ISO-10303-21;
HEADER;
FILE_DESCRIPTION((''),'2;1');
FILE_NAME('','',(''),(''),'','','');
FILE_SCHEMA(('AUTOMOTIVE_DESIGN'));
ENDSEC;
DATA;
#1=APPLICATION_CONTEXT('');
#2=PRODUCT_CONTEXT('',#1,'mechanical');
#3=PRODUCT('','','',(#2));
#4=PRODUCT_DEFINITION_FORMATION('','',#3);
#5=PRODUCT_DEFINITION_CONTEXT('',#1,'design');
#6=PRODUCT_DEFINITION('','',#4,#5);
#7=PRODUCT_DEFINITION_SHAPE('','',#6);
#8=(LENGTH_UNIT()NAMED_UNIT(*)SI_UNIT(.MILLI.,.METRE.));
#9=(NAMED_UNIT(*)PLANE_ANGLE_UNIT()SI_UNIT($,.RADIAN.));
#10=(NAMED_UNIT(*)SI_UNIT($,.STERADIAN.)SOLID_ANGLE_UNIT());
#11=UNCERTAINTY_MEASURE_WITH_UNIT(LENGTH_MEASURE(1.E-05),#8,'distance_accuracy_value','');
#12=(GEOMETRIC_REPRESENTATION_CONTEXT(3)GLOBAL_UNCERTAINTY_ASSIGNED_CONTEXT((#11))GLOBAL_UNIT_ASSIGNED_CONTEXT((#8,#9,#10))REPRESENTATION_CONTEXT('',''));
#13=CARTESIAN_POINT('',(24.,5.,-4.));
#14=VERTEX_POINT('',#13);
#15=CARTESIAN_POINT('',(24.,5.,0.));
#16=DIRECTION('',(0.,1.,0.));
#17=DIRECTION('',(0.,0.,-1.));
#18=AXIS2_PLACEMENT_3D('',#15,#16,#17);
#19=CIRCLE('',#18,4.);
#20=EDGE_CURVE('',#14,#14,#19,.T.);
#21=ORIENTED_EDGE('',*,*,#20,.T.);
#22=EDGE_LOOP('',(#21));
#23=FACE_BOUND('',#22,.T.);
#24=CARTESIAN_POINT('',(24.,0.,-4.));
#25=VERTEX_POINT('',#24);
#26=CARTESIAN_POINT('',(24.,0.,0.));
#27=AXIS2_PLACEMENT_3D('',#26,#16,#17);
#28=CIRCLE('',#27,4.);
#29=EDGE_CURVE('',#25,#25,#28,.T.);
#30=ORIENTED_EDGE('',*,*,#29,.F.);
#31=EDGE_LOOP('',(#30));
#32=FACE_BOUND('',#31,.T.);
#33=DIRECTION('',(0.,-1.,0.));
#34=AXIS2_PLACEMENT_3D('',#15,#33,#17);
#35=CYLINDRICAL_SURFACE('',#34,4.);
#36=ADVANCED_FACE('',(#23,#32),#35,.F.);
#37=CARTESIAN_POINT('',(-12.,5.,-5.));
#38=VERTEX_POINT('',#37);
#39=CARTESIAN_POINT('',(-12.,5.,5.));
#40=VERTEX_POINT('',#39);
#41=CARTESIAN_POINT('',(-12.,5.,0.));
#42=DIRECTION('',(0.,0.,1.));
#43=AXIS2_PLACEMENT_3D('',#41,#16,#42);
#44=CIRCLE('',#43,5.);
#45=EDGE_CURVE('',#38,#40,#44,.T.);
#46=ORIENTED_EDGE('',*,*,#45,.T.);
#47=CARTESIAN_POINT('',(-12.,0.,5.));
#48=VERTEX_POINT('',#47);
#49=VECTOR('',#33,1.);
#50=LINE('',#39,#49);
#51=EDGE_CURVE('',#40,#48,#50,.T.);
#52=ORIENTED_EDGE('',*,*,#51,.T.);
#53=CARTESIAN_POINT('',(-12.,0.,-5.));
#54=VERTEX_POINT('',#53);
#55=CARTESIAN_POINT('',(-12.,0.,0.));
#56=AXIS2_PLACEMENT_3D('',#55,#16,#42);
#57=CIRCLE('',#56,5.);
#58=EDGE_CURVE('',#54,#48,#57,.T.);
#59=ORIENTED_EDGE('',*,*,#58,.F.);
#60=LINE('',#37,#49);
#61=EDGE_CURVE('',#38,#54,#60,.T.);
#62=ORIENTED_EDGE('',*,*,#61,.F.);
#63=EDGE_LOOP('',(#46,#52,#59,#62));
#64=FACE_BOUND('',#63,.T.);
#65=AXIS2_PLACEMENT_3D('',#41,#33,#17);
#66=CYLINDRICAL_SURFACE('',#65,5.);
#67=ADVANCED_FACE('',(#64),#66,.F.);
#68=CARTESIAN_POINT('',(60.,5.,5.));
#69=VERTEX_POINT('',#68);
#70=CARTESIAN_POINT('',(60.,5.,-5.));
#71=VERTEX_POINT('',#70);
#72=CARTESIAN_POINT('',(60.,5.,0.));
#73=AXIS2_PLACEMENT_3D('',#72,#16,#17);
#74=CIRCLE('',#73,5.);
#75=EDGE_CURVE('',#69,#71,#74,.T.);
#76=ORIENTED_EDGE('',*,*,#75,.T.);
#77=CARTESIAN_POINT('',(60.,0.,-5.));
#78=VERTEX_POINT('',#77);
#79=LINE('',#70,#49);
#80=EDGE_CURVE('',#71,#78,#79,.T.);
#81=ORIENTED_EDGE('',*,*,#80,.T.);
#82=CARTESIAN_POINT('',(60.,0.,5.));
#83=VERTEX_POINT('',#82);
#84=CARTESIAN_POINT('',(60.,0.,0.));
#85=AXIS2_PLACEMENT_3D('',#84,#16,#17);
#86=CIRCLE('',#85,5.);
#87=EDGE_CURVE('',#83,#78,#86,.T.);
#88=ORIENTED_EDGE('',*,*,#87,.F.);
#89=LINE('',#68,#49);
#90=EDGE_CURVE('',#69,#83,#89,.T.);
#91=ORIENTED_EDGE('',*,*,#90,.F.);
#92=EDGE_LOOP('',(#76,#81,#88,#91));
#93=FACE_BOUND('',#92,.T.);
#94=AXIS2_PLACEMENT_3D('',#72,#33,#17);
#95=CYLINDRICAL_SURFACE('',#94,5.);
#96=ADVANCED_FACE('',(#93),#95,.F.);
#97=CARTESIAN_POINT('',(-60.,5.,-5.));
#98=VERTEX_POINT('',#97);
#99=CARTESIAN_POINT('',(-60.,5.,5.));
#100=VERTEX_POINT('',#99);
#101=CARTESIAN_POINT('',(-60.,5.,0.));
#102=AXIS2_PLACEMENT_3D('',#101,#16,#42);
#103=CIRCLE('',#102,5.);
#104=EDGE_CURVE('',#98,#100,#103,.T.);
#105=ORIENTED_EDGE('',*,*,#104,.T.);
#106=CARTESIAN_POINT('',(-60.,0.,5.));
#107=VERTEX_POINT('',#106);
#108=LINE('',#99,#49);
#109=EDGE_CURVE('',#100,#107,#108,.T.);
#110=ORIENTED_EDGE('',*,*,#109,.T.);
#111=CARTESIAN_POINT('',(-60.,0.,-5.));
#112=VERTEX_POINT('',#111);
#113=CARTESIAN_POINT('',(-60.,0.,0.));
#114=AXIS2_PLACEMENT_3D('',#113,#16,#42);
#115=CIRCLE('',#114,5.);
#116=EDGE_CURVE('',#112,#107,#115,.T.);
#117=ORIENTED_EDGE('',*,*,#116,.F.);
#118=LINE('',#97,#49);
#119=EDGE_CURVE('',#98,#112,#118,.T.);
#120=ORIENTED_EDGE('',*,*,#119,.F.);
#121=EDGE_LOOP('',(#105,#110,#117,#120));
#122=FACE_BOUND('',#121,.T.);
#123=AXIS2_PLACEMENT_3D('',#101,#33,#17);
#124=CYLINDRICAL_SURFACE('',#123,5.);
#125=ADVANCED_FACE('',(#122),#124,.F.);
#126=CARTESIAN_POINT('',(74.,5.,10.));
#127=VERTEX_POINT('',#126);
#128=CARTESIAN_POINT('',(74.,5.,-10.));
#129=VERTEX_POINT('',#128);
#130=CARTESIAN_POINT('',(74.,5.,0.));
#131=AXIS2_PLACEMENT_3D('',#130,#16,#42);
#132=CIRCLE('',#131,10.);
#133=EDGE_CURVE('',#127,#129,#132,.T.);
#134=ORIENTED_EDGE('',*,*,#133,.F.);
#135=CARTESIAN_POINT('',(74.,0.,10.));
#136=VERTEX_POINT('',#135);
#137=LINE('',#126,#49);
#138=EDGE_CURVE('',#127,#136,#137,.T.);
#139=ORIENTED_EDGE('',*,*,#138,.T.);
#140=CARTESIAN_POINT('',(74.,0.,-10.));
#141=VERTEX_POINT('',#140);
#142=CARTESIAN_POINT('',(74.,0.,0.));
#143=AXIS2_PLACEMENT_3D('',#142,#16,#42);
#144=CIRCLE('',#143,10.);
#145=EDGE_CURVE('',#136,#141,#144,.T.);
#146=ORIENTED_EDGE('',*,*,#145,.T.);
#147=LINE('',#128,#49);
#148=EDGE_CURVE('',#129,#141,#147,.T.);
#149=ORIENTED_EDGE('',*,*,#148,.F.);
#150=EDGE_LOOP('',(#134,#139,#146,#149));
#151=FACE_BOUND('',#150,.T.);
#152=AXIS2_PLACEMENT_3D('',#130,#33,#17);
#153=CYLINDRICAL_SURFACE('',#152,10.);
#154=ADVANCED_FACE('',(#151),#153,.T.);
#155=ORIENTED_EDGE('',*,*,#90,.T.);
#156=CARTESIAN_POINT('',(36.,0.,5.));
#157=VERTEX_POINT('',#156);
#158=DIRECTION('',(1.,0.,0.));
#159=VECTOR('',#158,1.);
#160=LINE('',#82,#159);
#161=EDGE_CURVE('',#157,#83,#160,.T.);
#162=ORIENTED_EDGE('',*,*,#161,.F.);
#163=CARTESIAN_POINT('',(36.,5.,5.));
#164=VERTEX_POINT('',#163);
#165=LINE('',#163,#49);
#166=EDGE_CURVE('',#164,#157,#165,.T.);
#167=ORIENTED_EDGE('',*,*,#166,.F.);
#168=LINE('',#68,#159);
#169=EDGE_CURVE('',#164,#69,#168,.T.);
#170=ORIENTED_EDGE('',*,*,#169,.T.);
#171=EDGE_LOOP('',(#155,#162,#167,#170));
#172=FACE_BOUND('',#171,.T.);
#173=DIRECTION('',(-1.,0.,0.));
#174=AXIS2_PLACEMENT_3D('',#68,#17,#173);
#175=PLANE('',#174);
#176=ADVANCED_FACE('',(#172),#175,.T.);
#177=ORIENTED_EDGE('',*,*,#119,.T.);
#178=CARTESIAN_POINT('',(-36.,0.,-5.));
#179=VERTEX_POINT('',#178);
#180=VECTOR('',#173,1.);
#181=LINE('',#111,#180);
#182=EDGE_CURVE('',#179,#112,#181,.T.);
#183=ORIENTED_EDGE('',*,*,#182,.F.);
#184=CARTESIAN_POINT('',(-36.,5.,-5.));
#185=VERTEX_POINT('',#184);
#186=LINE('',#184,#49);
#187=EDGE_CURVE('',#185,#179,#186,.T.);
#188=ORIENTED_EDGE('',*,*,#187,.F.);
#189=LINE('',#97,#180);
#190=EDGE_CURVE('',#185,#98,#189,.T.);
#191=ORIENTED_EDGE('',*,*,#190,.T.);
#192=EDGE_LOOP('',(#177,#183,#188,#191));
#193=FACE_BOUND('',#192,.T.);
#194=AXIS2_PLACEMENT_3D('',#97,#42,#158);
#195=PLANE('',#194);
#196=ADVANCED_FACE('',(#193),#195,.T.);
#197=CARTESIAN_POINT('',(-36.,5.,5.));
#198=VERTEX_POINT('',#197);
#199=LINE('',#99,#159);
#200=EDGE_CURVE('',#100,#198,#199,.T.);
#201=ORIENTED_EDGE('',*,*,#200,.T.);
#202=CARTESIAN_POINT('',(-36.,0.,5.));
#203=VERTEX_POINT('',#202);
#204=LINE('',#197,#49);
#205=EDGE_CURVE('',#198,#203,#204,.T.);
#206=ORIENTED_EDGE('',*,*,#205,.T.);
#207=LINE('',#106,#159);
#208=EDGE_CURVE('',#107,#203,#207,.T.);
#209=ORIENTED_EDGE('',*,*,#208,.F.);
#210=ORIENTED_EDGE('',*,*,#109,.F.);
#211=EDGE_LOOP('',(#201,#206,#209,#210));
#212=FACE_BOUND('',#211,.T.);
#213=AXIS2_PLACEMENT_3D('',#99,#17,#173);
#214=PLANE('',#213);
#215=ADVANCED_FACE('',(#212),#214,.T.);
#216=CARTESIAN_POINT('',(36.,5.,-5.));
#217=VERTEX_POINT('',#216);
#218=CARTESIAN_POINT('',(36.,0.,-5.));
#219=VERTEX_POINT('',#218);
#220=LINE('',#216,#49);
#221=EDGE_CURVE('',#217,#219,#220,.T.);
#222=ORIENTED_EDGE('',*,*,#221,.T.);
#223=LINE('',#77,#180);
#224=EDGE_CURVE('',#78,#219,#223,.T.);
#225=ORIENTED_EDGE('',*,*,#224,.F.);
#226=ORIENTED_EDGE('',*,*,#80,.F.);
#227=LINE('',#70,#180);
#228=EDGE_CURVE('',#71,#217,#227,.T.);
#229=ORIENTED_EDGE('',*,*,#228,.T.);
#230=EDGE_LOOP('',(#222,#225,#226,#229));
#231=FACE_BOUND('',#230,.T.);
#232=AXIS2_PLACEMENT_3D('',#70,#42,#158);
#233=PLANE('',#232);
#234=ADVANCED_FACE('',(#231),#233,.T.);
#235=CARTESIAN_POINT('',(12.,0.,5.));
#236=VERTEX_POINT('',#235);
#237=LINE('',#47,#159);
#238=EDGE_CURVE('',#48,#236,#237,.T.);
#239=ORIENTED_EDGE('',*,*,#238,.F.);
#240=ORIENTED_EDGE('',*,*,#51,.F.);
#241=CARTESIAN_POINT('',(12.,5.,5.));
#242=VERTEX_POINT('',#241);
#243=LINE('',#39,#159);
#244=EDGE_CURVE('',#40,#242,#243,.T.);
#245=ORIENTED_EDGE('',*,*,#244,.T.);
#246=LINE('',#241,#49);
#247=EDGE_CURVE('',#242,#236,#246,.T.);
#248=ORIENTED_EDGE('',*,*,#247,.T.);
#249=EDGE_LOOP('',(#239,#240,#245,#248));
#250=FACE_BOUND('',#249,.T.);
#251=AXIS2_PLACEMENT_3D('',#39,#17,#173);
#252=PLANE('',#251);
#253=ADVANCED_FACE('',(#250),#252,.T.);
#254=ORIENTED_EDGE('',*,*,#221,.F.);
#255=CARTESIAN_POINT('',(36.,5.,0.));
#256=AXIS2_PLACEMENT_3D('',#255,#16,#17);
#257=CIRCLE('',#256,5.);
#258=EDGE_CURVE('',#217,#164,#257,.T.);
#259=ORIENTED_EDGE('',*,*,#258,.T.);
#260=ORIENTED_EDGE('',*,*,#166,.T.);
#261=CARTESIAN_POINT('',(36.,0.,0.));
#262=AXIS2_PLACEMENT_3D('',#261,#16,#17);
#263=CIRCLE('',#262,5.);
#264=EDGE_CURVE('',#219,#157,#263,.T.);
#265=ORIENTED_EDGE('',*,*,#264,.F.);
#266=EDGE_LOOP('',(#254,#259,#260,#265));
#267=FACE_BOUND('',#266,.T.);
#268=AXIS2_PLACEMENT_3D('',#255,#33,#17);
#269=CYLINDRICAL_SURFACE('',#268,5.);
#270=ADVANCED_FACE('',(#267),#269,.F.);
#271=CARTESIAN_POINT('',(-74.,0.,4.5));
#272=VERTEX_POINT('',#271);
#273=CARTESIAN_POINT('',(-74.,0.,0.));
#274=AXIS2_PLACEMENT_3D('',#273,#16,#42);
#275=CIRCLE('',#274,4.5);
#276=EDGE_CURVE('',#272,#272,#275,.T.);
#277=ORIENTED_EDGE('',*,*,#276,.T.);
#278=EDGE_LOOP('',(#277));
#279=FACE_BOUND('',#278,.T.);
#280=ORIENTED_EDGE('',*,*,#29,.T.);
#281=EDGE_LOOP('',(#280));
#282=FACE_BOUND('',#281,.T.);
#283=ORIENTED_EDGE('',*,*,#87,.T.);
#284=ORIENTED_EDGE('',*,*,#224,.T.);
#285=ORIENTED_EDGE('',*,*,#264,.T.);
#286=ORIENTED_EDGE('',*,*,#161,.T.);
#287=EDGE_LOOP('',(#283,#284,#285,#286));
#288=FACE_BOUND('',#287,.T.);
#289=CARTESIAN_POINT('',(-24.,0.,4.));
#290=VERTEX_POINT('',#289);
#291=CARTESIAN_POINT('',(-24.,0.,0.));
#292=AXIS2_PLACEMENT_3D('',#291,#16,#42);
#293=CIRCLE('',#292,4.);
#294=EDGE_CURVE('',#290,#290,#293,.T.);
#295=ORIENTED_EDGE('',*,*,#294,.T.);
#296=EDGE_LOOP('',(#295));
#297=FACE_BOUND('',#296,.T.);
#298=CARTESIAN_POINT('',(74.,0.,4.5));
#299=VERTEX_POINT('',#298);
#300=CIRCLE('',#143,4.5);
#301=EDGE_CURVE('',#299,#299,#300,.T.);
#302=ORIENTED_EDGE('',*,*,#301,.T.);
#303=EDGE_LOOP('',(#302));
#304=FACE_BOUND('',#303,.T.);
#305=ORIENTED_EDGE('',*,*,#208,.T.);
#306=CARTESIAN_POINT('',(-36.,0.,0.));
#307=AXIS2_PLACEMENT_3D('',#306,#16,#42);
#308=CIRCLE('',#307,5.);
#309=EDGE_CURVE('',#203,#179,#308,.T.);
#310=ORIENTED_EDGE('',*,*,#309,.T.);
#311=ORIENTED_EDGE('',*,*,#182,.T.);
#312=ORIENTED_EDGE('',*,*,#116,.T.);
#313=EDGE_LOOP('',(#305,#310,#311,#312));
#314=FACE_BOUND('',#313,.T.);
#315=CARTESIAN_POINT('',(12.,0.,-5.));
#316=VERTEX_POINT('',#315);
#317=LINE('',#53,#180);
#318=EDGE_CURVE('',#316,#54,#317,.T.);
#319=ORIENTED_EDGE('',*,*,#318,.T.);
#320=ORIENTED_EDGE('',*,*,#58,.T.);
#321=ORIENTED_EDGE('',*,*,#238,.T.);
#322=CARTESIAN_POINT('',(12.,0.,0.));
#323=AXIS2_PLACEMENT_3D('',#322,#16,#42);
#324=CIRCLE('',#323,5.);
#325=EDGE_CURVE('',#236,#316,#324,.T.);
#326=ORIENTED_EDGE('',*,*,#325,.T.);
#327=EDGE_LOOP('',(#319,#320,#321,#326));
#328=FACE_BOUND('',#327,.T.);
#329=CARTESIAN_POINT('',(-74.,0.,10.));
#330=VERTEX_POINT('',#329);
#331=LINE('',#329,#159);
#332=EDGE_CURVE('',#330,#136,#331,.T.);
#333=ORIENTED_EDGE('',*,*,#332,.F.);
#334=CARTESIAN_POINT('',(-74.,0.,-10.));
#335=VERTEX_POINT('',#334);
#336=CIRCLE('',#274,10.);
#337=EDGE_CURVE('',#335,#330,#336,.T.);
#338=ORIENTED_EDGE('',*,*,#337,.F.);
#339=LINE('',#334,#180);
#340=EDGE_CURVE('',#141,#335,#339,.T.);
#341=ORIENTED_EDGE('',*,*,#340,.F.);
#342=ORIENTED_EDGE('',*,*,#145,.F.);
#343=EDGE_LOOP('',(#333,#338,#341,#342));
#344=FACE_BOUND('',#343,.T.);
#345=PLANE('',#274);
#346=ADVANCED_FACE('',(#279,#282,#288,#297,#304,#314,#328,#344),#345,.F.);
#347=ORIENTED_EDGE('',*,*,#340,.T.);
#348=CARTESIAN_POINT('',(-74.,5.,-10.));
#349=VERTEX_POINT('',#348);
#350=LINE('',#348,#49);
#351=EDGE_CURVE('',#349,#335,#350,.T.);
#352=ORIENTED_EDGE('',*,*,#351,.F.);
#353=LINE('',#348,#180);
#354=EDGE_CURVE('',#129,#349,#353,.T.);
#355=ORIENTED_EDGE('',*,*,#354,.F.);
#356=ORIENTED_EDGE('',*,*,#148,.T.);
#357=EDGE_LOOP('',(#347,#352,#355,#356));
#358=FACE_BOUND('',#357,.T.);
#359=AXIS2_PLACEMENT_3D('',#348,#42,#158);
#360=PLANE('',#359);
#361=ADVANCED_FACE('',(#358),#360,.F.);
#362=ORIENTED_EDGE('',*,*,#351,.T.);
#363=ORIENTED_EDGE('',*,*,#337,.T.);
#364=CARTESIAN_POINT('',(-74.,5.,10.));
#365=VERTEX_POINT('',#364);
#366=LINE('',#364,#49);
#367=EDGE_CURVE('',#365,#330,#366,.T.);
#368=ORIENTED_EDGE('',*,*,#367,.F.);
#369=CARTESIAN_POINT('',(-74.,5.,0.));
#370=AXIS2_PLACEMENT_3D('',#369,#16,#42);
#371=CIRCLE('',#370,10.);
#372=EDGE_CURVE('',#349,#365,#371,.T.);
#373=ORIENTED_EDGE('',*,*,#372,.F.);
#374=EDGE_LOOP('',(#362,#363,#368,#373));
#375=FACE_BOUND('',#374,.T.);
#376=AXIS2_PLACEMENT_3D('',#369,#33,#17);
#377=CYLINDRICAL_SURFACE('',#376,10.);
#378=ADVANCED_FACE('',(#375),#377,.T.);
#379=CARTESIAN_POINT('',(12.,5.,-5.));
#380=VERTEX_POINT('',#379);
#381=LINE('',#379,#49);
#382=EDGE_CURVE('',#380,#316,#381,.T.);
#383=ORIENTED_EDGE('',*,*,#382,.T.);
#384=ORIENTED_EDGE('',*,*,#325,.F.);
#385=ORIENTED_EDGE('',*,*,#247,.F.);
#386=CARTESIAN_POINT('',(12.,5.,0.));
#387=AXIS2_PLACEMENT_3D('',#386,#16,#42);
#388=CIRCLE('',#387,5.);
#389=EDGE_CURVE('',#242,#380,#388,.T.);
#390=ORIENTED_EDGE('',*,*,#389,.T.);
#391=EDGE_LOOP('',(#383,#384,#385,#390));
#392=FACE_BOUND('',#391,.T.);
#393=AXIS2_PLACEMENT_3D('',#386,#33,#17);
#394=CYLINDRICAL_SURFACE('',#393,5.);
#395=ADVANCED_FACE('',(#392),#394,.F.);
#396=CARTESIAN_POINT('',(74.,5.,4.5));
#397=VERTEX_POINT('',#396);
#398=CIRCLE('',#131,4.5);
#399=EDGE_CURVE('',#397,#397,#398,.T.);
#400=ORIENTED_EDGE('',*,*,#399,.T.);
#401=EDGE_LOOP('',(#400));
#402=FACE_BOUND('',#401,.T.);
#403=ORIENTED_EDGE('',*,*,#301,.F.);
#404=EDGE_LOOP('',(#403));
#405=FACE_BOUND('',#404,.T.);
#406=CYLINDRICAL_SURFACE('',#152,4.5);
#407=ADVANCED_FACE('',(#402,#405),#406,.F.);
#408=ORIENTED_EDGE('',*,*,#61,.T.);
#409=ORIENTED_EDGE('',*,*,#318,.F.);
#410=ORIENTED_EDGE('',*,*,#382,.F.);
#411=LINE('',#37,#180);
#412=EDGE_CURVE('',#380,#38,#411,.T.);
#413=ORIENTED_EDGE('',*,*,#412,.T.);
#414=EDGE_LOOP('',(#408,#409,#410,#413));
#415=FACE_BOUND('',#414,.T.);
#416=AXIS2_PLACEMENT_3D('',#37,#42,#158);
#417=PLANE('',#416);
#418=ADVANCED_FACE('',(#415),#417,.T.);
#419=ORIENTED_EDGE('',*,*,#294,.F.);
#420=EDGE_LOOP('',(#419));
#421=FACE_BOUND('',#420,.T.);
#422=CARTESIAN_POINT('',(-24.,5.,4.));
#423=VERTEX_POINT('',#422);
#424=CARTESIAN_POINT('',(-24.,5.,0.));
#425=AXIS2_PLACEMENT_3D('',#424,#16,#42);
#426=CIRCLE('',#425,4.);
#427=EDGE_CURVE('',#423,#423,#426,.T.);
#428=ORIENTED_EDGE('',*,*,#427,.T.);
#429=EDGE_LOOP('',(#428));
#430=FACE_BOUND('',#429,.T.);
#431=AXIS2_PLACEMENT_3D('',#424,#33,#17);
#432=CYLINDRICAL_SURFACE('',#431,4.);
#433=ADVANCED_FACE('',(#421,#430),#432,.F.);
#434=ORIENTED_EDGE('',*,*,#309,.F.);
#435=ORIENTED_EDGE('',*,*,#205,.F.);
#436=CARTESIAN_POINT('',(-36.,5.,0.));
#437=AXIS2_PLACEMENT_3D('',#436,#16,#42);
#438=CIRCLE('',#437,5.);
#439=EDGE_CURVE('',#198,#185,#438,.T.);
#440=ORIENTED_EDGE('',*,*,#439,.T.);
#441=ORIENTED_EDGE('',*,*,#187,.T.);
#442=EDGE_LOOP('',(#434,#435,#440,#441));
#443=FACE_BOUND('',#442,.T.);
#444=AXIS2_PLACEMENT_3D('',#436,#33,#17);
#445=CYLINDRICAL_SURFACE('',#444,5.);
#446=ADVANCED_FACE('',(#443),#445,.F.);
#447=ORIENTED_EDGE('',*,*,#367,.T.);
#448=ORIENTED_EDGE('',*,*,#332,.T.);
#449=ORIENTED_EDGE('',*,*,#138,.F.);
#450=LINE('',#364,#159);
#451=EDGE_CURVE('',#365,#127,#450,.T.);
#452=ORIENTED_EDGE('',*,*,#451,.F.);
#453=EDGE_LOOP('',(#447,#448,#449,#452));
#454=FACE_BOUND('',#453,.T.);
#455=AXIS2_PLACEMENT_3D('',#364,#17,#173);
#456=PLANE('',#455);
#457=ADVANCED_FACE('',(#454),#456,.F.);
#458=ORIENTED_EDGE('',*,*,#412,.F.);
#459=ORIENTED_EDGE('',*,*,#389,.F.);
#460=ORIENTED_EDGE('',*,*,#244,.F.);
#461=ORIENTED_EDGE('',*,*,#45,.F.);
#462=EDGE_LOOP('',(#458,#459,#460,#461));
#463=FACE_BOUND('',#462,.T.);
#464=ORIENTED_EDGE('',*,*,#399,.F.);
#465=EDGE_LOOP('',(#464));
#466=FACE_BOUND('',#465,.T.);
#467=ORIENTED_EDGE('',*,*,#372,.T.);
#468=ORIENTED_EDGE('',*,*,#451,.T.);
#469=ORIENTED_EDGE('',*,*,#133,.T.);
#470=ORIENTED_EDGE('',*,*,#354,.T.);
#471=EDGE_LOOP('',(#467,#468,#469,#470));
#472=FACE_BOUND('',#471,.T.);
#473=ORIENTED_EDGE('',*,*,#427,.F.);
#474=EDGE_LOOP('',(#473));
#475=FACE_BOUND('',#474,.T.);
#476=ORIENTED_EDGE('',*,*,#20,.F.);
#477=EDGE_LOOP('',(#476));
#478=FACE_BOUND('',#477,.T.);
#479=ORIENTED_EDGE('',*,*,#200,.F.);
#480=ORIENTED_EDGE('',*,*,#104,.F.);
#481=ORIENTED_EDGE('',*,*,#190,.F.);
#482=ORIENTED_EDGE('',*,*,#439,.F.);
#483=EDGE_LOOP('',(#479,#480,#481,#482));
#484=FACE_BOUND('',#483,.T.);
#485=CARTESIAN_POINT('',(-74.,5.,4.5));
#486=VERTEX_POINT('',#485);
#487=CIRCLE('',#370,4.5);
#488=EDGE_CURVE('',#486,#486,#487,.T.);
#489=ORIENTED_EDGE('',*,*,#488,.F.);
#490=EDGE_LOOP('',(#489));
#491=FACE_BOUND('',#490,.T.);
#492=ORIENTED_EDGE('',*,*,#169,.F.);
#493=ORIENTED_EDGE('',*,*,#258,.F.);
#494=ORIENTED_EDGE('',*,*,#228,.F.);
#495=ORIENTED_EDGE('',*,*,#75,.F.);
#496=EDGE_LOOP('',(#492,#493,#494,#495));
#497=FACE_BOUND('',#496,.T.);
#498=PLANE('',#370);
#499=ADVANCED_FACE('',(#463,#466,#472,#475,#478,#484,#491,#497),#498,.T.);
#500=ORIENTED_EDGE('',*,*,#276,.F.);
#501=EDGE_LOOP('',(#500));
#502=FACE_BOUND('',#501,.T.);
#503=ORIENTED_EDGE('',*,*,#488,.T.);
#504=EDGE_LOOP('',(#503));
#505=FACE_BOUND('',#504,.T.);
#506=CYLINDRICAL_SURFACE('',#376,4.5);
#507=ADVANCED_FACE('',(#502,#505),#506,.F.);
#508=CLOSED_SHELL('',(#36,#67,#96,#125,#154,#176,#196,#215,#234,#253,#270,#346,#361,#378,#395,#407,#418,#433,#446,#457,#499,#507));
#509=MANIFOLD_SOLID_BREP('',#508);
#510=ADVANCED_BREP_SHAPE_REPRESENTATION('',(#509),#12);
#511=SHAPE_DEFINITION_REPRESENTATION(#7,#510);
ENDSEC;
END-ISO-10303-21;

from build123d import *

# Parameters (mm, degrees)
SKETCH_1_R      = 4.5
SKETCH_1_R_2    = 4
EXTRUDE_1_DEPTH = 5


with BuildPart() as part:
    # 草图1 → 凸台-拉伸1 (new body)
    with BuildSketch(Plane(origin=(0, 0, 0), x_dir=(1, 0, 0), z_dir=(0, 1, 0))):
        with BuildLine():
            Line((-74, 10), (74, 10))
            ThreePointArc((74, 10), (84, 0), (74, -10))
            Line((74, -10), (-74, -10))
            ThreePointArc((-74, -10), (-84, 0), (-74, 10))
        make_face()
        with Locations(Location((74, 0, 0), (0, 0, 270))):
            Circle(SKETCH_1_R, mode=Mode.SUBTRACT)
        with Locations(Location((-74, 0, 0), (0, 0, 270))):
            Circle(SKETCH_1_R, mode=Mode.SUBTRACT)
        with Locations(Location((-24, 0, 0), (0, 0, 270))):
            Circle(SKETCH_1_R_2, mode=Mode.SUBTRACT)
        with Locations(Location((24, 0, 0), (0, 0, 90))):
            Circle(SKETCH_1_R_2, mode=Mode.SUBTRACT)
        with BuildLine():
            Line((-60, 5), (-36, 5))
            ThreePointArc((-36, 5), (-31, 0), (-36, -5))
            Line((-36, -5), (-60, -5))
            ThreePointArc((-60, -5), (-65, 0), (-60, 5))
        make_face(mode=Mode.SUBTRACT)
        with BuildLine():
            Line((-12, 5), (12, 5))
            ThreePointArc((12, 5), (17, 0), (12, -5))
            Line((12, -5), (-12, -5))
            ThreePointArc((-12, -5), (-17, 0), (-12, 5))
        make_face(mode=Mode.SUBTRACT)
        with BuildLine():
            Line((60, 5), (36, 5))
            ThreePointArc((36, 5), (31, 0), (36, -5))
            Line((36, -5), (60, -5))
            ThreePointArc((60, -5), (65, 0), (60, 5))
        make_face(mode=Mode.SUBTRACT)
    extrude(amount=EXTRUDE_1_DEPTH)


solid = part.part
